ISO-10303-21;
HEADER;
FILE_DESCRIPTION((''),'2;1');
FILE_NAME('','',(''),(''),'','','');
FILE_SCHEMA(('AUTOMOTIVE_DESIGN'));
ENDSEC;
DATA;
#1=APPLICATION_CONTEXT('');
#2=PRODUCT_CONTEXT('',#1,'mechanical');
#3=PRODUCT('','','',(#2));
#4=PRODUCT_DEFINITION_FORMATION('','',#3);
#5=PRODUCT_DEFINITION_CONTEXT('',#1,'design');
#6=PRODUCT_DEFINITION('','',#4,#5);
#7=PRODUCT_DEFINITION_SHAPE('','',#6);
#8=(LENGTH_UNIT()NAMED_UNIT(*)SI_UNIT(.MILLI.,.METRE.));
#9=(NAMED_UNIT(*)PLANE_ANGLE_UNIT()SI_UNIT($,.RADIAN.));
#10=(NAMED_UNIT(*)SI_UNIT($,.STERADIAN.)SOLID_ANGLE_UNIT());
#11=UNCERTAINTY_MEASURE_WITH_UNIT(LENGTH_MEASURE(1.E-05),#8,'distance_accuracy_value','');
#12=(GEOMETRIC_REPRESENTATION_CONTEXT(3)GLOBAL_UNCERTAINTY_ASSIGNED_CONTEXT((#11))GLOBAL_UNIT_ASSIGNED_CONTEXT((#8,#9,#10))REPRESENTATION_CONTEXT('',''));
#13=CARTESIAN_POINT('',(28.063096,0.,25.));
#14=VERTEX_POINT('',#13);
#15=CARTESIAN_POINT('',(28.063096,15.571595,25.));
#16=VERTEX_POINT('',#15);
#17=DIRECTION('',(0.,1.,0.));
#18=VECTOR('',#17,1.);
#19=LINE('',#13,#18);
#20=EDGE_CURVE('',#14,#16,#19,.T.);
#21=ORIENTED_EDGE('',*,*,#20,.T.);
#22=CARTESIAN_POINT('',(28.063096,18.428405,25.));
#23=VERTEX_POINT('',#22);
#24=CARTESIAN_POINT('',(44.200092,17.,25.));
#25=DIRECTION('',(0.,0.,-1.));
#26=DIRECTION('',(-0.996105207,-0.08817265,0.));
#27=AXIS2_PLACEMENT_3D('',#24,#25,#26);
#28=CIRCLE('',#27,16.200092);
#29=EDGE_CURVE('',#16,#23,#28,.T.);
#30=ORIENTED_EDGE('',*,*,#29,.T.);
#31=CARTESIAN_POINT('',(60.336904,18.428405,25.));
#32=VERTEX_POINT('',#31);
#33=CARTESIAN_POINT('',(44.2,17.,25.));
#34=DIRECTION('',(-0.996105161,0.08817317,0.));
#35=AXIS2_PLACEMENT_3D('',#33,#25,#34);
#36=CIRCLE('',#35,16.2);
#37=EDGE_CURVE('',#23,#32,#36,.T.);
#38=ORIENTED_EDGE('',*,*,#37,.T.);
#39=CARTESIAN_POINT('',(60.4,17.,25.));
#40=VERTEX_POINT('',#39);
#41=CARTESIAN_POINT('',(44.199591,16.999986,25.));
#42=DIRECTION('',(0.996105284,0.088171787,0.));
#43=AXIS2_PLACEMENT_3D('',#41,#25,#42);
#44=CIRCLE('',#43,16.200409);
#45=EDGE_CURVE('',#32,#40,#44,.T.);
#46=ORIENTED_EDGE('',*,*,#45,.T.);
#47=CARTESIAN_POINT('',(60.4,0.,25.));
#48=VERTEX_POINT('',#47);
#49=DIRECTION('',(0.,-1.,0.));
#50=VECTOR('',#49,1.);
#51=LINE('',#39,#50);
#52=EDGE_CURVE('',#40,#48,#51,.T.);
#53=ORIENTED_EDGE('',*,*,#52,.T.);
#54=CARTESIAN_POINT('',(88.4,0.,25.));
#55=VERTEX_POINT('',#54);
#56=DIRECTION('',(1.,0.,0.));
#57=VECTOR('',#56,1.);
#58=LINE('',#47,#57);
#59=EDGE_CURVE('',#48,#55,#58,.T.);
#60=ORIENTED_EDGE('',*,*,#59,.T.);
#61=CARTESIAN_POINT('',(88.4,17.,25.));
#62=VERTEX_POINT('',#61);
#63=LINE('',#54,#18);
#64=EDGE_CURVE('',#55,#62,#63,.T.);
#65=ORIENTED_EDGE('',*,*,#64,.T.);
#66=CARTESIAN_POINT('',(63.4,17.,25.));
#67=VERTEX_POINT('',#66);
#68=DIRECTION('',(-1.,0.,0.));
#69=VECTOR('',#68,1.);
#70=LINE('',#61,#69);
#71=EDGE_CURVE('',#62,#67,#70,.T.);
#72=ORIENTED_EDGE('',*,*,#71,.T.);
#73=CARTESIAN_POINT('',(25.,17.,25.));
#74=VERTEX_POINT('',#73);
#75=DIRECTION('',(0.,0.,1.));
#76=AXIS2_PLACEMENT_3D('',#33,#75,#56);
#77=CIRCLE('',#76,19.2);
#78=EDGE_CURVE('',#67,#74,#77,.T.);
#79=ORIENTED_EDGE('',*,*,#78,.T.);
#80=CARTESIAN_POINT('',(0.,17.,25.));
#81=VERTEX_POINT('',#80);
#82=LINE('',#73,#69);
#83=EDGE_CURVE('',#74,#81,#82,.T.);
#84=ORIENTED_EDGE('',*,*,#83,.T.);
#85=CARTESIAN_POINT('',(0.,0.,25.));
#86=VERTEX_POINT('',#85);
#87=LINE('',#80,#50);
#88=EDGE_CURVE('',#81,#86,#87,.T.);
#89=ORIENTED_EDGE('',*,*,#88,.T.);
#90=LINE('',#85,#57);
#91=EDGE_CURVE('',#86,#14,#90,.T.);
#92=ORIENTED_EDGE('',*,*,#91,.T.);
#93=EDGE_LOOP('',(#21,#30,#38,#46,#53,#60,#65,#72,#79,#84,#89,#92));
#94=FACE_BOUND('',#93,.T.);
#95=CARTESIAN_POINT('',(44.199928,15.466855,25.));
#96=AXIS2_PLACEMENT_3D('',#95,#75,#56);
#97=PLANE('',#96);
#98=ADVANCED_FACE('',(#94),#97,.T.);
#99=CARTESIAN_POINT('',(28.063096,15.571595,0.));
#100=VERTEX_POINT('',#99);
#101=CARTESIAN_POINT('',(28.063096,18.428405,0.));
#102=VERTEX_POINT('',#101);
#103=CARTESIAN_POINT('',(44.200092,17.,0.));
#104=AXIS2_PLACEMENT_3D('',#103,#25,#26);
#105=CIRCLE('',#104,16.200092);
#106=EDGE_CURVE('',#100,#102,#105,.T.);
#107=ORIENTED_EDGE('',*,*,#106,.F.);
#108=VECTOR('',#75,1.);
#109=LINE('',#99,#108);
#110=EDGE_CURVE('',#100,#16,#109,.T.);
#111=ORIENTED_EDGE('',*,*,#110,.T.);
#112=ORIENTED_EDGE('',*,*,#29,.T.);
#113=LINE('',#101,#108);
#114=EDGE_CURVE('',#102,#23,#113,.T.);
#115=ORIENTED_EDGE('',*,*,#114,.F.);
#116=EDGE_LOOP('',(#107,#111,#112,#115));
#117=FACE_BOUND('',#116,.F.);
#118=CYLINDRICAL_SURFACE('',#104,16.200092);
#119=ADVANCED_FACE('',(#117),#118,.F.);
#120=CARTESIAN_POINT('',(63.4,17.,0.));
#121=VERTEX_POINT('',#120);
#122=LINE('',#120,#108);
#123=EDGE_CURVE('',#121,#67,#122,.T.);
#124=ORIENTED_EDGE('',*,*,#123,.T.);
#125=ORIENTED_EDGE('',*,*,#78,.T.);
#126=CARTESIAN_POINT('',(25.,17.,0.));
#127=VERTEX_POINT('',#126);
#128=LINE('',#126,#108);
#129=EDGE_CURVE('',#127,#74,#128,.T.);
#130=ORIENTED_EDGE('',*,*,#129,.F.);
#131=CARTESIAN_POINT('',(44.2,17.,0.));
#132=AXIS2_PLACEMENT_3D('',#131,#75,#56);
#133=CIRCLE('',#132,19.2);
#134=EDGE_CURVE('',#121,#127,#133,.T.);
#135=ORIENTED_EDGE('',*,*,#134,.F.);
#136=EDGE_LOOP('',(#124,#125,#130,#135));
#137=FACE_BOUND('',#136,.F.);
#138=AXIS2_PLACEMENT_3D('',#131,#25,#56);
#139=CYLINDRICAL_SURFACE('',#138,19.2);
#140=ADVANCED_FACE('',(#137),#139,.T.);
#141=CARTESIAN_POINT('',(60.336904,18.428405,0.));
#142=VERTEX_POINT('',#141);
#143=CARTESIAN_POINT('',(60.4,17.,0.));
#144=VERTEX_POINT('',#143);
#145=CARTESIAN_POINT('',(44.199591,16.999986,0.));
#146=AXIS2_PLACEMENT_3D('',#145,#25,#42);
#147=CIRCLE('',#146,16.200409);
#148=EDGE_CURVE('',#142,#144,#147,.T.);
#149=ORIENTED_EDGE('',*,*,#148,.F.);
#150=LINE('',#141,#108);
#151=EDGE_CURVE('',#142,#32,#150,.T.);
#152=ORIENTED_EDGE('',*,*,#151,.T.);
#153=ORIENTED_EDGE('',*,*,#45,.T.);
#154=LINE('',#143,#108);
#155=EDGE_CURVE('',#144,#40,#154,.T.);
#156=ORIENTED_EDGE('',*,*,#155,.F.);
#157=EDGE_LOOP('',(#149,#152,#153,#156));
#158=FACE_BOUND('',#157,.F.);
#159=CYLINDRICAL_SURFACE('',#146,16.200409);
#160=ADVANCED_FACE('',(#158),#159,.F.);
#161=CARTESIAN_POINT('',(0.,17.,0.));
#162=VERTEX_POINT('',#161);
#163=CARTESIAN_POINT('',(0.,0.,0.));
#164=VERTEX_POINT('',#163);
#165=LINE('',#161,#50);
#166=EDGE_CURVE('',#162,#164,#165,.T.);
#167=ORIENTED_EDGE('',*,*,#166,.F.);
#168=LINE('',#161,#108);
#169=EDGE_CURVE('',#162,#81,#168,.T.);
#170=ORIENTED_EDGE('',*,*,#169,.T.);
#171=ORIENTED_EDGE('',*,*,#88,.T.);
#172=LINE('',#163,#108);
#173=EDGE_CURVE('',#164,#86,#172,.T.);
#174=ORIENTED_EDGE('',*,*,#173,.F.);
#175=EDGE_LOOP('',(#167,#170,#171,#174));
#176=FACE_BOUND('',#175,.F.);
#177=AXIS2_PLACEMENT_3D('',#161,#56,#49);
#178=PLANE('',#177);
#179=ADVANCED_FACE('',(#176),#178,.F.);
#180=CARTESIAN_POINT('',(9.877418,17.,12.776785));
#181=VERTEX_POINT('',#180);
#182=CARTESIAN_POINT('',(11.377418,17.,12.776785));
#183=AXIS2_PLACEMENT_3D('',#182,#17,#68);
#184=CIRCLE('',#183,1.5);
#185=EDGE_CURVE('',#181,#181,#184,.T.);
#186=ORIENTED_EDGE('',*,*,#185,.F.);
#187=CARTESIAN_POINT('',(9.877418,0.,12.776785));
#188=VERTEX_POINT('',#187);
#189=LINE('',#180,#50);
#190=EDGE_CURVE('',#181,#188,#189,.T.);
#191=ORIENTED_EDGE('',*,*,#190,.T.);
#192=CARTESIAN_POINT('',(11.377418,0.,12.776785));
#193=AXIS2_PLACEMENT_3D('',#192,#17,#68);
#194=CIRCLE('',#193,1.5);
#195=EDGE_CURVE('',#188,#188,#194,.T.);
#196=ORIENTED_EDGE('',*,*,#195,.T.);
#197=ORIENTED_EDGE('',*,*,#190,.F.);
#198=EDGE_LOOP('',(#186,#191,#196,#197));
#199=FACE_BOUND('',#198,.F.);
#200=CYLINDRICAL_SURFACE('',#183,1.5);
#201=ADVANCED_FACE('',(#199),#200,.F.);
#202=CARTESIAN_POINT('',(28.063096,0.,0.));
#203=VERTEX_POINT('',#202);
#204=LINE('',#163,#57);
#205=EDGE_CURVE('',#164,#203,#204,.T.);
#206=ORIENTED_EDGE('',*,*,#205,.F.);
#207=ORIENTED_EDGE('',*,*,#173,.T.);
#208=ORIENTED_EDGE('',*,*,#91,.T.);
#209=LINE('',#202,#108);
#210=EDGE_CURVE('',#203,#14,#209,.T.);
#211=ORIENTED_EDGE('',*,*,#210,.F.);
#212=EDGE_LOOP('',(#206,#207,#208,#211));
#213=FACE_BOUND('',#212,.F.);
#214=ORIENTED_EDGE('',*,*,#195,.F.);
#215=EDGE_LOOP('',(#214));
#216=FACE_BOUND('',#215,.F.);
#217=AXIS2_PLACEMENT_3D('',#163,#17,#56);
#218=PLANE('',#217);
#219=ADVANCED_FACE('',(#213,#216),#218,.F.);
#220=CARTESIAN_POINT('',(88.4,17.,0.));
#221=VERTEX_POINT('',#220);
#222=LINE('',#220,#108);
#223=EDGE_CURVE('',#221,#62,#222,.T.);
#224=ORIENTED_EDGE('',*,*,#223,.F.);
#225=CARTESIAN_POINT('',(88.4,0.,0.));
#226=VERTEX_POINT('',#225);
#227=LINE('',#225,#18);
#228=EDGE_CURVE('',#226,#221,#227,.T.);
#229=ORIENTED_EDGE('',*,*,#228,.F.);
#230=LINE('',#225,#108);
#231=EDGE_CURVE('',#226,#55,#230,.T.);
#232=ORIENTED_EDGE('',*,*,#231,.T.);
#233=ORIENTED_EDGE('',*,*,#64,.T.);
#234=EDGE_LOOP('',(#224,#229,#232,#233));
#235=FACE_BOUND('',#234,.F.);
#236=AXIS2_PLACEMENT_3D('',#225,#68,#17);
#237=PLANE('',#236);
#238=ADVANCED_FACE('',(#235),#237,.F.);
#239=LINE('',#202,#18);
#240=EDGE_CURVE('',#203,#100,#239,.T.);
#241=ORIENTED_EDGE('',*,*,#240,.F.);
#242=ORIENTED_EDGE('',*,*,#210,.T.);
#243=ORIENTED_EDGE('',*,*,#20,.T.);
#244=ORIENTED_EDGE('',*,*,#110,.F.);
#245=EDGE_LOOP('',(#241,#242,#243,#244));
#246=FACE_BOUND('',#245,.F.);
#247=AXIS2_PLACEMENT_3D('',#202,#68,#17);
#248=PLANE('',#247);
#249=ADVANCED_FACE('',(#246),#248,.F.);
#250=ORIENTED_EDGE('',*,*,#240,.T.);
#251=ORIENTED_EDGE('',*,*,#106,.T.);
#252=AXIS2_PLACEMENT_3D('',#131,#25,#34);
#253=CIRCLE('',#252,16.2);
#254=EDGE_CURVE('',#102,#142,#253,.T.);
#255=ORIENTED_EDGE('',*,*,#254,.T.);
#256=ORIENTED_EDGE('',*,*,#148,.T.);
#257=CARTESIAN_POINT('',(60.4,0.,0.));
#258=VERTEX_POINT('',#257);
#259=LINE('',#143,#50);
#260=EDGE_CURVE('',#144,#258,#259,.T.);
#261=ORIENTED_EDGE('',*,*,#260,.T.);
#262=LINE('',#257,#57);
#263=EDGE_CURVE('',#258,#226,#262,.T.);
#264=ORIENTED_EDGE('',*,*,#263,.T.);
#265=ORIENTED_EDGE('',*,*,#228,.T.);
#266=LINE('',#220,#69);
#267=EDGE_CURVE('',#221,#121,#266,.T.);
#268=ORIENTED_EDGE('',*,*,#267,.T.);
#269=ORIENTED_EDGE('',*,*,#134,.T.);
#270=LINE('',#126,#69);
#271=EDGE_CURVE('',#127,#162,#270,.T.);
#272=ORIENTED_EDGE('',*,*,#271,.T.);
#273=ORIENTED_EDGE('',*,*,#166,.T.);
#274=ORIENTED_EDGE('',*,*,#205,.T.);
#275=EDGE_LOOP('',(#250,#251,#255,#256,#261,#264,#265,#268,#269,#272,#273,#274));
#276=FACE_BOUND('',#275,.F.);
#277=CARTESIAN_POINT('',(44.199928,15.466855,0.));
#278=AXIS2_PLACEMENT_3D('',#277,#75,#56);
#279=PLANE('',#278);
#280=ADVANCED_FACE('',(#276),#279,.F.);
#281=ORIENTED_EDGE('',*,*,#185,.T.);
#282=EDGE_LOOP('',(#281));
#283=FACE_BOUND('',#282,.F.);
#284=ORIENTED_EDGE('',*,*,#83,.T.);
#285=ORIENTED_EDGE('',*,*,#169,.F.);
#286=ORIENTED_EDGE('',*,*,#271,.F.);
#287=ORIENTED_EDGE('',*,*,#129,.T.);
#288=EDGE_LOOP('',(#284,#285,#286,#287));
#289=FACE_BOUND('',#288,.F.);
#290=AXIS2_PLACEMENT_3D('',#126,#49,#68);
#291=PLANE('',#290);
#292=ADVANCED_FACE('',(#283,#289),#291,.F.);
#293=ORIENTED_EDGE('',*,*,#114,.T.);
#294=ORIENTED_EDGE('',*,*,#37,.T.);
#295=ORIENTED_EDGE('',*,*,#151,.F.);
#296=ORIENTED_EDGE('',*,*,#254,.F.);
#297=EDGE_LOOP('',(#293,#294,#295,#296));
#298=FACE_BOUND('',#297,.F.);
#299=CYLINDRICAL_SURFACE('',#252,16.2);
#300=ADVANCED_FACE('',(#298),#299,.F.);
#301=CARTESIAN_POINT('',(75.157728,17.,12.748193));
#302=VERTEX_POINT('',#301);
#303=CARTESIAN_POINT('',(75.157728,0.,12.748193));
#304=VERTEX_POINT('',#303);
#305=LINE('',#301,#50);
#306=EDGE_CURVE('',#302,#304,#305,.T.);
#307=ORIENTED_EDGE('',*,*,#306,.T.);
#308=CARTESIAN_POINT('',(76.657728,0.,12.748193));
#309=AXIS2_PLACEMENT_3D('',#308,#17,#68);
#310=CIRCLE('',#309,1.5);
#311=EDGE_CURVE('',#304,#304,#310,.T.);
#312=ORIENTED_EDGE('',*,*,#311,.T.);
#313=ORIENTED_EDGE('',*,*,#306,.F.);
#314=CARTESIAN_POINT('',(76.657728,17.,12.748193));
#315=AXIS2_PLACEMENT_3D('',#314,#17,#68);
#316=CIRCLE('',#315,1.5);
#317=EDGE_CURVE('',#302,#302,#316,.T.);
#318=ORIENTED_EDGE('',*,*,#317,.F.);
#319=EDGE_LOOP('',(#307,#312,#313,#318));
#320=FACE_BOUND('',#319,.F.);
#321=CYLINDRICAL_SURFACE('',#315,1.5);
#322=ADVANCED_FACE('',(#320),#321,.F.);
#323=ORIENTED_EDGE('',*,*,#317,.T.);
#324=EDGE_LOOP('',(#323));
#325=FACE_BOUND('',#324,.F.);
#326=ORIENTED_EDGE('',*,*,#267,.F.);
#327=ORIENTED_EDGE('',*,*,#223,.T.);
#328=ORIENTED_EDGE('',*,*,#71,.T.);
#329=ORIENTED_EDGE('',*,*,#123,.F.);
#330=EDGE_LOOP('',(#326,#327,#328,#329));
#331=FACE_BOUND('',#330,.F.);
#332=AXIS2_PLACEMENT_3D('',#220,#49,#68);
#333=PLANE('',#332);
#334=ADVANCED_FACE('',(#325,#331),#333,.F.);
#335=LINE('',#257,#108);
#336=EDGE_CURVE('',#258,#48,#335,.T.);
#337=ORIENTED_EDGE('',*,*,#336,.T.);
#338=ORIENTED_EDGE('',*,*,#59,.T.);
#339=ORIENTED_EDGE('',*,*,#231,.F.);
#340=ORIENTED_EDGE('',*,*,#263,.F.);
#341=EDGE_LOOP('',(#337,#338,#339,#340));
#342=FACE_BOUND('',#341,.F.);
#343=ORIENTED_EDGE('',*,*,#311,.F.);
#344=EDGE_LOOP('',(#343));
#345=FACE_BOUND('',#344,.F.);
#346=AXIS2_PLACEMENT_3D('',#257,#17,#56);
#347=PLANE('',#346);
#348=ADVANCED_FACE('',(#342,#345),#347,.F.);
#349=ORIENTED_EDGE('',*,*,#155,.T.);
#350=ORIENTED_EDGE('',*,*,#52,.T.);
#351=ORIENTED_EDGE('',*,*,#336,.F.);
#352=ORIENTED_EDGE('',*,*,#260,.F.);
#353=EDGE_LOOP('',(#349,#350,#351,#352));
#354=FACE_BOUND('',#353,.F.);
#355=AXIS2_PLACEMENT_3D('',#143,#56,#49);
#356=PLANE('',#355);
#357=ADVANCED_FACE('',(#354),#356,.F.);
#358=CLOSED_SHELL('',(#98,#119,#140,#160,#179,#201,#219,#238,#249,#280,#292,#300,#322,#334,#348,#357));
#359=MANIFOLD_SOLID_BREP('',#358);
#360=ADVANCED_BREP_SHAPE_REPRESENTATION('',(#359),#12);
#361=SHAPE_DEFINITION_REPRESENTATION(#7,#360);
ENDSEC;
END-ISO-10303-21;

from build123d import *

# Parameters (mm, degrees)
F1_DEPTH = 25
F2_R     = 1.5
F3_DEPTH = 25


with BuildPart() as f1:
    # F0 (on Top) → F1 (new body)
    with BuildSketch(Plane.XY):
        with BuildLine():
            Line((0, 17), (0, 0))
            Line((0, 0), (28.063096, 0))
            Line((28.063096, 0), (28.063096, 15.571595))
            ThreePointArc((28.063096, 15.571595), (28, 17), (28.063096, 18.428405))
            ThreePointArc((28.063096, 18.428405), (44.2, 33.2), (60.336904, 18.428405))
            ThreePointArc((60.336904, 18.428405), (60.384218, 17.714899), (60.4, 17))
            Line((60.4, 17), (60.4, 0))
            Line((60.4, 0), (88.4, 0))
            Line((88.4, 0), (88.4, 17))
            Line((88.4, 17), (63.4, 17))
            ThreePointArc((63.4, 17), (44.2, 36.2), (25, 17))
            Line((25, 17), (0, 17))
        make_face()
    extrude(amount=F1_DEPTH)

    # F2 (on face) → F3 (cut)
    with BuildSketch(Plane(origin=(0, 17, 0), x_dir=(-1, 0, 0), z_dir=(0, 1, 0))):
        with Locations((-11.377418, 12.776785)):
            Circle(F2_R)
        with Locations((-76.657728, 12.748193)):
            Circle(F2_R)
    extrude(amount=-F3_DEPTH, mode=Mode.SUBTRACT)


solid = f1.part
